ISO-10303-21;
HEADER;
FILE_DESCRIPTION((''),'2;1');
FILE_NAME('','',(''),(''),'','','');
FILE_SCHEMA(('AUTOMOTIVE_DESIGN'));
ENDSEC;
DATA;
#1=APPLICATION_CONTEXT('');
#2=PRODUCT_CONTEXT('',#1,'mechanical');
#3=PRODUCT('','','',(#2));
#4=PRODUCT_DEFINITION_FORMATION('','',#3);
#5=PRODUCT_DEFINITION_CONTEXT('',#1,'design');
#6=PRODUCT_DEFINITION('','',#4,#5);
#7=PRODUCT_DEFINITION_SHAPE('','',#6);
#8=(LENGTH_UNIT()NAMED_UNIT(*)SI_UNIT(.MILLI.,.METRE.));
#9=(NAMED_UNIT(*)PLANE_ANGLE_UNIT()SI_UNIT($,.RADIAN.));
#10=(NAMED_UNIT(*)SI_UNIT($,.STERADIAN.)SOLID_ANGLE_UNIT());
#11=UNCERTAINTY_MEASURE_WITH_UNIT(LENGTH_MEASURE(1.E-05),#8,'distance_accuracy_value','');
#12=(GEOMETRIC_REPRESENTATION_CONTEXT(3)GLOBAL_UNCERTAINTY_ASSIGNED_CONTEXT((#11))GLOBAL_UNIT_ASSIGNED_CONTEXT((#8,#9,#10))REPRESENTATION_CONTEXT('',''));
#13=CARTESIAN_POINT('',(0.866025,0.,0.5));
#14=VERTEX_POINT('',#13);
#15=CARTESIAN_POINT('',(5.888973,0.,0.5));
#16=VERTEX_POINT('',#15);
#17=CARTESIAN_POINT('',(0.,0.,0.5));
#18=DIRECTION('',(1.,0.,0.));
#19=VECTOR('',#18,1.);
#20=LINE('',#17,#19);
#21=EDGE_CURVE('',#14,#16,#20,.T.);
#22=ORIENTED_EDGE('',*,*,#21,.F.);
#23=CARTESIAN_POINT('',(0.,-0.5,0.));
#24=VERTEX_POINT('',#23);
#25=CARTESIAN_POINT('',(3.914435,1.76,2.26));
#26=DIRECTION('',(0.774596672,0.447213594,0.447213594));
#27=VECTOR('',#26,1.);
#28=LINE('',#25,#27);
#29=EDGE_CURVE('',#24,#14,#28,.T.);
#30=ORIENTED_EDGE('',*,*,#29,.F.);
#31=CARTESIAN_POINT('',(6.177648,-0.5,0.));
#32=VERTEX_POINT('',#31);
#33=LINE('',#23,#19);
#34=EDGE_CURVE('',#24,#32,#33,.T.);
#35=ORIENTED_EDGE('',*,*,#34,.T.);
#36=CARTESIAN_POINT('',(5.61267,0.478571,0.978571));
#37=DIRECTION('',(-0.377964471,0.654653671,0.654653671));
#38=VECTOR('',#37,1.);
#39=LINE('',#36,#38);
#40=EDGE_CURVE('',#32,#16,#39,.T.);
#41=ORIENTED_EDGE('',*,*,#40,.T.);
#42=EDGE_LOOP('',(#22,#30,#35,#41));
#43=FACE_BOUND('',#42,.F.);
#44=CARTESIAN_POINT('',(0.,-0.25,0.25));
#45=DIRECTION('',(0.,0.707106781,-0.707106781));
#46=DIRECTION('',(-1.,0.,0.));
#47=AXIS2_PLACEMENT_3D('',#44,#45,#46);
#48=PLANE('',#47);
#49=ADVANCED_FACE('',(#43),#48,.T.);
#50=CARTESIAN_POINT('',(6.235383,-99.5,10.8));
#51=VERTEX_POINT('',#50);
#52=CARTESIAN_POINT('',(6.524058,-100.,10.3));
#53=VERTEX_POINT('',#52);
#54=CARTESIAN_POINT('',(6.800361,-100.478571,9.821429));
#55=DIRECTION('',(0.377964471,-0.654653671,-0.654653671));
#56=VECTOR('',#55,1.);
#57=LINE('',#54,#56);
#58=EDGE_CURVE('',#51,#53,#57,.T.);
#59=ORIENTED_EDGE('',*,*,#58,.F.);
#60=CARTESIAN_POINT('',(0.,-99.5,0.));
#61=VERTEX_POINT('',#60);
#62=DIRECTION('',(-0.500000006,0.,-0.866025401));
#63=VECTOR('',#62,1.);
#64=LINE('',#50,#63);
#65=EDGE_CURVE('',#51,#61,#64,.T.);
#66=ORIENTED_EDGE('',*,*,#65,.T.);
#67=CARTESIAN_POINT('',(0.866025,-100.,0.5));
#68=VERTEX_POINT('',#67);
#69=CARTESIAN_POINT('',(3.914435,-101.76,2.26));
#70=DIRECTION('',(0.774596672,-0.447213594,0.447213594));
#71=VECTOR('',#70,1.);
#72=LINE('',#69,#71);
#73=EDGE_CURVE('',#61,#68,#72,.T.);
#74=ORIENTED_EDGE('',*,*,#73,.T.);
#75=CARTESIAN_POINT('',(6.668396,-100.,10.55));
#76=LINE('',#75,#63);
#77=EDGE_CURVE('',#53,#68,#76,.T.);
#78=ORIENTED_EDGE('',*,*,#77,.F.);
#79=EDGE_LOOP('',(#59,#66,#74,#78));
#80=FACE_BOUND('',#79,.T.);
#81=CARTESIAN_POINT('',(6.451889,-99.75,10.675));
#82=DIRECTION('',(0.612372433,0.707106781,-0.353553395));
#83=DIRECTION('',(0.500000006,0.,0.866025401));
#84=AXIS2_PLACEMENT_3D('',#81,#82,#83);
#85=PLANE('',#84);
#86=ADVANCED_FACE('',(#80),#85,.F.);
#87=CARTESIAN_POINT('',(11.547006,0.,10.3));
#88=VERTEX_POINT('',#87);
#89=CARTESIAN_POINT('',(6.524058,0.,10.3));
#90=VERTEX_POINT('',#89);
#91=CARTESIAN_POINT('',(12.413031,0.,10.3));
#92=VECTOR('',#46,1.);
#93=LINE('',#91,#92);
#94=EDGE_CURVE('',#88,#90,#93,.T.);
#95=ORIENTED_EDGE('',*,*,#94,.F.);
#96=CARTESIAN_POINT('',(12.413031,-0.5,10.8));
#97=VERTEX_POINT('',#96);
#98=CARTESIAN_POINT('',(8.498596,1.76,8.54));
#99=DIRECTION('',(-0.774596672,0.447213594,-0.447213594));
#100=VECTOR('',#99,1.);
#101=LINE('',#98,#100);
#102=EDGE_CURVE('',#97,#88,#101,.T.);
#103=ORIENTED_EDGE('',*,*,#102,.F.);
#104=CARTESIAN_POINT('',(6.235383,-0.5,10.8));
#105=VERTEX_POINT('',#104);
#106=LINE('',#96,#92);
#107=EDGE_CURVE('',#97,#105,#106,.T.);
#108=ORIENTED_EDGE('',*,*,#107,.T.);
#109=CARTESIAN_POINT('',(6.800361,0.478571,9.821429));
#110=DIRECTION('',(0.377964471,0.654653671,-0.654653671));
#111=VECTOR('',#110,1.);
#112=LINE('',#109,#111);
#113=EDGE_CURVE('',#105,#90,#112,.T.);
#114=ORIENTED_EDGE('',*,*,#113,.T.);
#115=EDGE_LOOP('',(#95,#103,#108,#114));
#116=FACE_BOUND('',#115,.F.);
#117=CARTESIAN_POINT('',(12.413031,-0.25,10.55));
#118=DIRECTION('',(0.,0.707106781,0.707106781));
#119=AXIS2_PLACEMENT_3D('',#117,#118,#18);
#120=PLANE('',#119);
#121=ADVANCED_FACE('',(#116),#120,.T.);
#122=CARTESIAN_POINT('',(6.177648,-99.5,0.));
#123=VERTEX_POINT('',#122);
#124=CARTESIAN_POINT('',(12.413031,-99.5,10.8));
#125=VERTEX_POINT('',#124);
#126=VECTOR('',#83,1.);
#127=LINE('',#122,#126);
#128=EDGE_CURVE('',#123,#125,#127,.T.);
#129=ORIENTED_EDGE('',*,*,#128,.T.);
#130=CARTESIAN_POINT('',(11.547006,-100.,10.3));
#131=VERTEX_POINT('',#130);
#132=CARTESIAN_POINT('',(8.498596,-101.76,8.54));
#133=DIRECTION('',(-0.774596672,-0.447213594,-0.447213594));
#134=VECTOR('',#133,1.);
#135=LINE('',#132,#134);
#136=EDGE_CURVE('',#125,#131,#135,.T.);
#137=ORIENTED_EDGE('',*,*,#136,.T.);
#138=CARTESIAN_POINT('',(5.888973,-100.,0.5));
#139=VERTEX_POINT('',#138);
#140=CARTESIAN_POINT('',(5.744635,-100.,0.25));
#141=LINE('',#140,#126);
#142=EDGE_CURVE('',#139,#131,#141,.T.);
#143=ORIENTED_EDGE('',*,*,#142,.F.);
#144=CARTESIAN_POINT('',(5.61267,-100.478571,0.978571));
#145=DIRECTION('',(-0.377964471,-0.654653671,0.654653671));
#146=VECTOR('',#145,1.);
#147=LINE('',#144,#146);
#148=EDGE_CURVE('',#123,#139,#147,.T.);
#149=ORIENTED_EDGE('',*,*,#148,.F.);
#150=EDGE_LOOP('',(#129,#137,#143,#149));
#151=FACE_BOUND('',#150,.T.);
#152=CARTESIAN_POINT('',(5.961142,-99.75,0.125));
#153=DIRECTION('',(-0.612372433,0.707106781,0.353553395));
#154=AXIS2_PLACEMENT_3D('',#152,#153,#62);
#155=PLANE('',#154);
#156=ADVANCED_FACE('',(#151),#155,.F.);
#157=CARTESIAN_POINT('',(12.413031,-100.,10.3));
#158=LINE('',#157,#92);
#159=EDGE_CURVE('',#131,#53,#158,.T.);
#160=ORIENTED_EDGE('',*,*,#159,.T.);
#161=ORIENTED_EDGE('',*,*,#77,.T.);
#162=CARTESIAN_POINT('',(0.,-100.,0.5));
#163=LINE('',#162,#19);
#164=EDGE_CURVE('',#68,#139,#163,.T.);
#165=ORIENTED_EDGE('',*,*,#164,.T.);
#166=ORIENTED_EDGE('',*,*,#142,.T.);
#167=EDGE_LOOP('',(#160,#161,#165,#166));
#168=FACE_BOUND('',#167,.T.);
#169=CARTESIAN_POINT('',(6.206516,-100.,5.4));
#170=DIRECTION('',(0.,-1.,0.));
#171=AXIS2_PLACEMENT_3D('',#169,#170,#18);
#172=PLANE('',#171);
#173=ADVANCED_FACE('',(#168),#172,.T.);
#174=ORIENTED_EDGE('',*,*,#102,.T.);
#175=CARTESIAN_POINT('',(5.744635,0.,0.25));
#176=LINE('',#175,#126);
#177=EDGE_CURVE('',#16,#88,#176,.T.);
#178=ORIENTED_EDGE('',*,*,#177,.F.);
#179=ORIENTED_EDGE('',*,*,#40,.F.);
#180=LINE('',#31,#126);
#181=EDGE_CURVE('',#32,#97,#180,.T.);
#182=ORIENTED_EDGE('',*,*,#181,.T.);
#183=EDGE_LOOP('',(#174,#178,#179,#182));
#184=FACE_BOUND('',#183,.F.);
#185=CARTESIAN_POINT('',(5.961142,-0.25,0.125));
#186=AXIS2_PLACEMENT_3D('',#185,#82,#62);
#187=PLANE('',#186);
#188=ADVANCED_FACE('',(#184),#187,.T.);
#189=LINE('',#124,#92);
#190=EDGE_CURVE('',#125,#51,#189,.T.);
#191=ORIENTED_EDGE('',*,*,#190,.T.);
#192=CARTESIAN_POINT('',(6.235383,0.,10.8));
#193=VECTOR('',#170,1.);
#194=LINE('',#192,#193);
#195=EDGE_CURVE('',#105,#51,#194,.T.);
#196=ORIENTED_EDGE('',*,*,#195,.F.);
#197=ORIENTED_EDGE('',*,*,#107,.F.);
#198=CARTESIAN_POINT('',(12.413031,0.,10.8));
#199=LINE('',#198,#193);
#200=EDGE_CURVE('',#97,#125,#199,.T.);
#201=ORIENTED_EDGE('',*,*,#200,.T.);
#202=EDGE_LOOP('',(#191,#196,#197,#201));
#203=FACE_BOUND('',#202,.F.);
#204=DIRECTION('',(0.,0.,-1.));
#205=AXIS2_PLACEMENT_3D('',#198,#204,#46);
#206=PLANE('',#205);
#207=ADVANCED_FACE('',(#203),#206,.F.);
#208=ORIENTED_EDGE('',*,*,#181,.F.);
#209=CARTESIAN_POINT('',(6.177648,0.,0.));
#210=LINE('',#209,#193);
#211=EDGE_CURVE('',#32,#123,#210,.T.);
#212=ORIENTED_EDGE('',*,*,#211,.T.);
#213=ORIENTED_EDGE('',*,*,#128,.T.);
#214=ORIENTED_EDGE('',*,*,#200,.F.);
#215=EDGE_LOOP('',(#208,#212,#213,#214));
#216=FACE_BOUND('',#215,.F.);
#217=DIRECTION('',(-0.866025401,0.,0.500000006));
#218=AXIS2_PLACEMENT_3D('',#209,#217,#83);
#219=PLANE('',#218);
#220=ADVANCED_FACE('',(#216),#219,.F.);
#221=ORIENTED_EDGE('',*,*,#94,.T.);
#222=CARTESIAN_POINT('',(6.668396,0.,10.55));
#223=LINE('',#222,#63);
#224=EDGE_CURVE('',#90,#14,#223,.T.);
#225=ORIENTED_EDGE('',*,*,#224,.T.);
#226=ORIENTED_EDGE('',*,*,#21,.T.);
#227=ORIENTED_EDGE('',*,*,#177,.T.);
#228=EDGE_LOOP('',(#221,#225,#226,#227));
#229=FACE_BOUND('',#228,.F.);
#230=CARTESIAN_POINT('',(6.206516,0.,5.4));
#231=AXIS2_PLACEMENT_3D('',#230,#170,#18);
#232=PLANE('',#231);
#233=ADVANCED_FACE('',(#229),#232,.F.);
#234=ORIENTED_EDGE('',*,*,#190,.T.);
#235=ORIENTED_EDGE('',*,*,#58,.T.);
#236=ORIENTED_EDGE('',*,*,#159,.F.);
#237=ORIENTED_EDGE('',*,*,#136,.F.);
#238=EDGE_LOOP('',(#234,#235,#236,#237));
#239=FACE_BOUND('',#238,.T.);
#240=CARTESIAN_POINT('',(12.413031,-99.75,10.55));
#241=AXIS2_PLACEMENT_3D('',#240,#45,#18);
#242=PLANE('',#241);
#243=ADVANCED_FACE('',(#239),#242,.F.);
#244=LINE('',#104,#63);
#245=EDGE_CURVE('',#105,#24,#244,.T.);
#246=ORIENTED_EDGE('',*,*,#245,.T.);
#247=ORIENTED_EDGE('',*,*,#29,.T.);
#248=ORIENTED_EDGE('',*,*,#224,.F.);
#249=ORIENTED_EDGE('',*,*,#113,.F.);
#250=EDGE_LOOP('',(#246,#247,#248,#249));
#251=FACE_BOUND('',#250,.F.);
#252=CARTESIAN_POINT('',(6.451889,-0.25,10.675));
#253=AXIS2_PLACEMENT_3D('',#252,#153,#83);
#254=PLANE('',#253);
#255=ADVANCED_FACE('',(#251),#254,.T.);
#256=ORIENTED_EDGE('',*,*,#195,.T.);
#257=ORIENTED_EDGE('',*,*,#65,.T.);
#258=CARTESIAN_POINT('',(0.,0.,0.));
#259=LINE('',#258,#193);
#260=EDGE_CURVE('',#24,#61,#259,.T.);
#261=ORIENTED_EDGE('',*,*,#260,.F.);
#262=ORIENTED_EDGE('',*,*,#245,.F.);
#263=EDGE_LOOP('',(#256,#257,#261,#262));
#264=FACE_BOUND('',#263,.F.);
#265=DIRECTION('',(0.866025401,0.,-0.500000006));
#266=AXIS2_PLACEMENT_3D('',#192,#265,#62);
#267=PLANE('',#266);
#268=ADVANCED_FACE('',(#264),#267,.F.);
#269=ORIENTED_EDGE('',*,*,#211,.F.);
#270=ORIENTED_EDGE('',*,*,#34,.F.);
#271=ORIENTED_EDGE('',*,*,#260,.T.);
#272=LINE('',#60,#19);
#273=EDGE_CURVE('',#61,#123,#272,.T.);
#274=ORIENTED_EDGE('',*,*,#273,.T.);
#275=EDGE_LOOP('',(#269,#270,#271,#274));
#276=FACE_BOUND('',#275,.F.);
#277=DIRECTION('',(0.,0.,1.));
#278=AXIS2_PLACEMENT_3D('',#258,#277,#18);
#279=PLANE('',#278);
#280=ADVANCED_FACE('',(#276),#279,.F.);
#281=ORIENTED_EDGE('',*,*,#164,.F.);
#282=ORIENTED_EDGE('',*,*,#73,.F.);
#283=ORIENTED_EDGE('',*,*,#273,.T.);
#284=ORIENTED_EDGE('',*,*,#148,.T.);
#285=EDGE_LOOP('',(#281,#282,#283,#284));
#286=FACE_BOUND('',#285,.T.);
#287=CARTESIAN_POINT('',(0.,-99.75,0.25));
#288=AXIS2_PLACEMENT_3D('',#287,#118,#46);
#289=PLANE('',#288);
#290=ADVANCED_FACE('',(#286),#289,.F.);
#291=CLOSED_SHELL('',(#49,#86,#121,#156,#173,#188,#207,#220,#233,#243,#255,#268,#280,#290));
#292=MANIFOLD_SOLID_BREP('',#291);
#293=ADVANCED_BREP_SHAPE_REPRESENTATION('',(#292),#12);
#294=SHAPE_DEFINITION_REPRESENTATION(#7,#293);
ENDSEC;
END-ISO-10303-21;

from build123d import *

# Parameters (mm, degrees)
F1_DEPTH = 100
F2_SIZE  = 0.5


with BuildPart() as f1:
    # F0 (on Front) → F1 (new body)
    with BuildSketch(Plane.XZ):
        Polygon((6.235383, 10.8), (0, 0), (6.177648, 0), (12.413031, 10.8), align=None)
    extrude(amount=F1_DEPTH)

    # F2
    f2_edges = [f1.edges().sort_by_distance(p)[0] for p in [
        (9.324207, -100, 10.8),
        (3.117691, -100, 5.4),
        (9.295339, -100, 5.4),
        (3.088824, -100, 0),
        (9.295339, 0, 5.4),
        (3.117691, 0, 5.4),
        (3.088824, 0, 0),
        (9.324207, 0, 10.8),
    ]]
    chamfer(f2_edges, length=F2_SIZE)


solid = f1.part
